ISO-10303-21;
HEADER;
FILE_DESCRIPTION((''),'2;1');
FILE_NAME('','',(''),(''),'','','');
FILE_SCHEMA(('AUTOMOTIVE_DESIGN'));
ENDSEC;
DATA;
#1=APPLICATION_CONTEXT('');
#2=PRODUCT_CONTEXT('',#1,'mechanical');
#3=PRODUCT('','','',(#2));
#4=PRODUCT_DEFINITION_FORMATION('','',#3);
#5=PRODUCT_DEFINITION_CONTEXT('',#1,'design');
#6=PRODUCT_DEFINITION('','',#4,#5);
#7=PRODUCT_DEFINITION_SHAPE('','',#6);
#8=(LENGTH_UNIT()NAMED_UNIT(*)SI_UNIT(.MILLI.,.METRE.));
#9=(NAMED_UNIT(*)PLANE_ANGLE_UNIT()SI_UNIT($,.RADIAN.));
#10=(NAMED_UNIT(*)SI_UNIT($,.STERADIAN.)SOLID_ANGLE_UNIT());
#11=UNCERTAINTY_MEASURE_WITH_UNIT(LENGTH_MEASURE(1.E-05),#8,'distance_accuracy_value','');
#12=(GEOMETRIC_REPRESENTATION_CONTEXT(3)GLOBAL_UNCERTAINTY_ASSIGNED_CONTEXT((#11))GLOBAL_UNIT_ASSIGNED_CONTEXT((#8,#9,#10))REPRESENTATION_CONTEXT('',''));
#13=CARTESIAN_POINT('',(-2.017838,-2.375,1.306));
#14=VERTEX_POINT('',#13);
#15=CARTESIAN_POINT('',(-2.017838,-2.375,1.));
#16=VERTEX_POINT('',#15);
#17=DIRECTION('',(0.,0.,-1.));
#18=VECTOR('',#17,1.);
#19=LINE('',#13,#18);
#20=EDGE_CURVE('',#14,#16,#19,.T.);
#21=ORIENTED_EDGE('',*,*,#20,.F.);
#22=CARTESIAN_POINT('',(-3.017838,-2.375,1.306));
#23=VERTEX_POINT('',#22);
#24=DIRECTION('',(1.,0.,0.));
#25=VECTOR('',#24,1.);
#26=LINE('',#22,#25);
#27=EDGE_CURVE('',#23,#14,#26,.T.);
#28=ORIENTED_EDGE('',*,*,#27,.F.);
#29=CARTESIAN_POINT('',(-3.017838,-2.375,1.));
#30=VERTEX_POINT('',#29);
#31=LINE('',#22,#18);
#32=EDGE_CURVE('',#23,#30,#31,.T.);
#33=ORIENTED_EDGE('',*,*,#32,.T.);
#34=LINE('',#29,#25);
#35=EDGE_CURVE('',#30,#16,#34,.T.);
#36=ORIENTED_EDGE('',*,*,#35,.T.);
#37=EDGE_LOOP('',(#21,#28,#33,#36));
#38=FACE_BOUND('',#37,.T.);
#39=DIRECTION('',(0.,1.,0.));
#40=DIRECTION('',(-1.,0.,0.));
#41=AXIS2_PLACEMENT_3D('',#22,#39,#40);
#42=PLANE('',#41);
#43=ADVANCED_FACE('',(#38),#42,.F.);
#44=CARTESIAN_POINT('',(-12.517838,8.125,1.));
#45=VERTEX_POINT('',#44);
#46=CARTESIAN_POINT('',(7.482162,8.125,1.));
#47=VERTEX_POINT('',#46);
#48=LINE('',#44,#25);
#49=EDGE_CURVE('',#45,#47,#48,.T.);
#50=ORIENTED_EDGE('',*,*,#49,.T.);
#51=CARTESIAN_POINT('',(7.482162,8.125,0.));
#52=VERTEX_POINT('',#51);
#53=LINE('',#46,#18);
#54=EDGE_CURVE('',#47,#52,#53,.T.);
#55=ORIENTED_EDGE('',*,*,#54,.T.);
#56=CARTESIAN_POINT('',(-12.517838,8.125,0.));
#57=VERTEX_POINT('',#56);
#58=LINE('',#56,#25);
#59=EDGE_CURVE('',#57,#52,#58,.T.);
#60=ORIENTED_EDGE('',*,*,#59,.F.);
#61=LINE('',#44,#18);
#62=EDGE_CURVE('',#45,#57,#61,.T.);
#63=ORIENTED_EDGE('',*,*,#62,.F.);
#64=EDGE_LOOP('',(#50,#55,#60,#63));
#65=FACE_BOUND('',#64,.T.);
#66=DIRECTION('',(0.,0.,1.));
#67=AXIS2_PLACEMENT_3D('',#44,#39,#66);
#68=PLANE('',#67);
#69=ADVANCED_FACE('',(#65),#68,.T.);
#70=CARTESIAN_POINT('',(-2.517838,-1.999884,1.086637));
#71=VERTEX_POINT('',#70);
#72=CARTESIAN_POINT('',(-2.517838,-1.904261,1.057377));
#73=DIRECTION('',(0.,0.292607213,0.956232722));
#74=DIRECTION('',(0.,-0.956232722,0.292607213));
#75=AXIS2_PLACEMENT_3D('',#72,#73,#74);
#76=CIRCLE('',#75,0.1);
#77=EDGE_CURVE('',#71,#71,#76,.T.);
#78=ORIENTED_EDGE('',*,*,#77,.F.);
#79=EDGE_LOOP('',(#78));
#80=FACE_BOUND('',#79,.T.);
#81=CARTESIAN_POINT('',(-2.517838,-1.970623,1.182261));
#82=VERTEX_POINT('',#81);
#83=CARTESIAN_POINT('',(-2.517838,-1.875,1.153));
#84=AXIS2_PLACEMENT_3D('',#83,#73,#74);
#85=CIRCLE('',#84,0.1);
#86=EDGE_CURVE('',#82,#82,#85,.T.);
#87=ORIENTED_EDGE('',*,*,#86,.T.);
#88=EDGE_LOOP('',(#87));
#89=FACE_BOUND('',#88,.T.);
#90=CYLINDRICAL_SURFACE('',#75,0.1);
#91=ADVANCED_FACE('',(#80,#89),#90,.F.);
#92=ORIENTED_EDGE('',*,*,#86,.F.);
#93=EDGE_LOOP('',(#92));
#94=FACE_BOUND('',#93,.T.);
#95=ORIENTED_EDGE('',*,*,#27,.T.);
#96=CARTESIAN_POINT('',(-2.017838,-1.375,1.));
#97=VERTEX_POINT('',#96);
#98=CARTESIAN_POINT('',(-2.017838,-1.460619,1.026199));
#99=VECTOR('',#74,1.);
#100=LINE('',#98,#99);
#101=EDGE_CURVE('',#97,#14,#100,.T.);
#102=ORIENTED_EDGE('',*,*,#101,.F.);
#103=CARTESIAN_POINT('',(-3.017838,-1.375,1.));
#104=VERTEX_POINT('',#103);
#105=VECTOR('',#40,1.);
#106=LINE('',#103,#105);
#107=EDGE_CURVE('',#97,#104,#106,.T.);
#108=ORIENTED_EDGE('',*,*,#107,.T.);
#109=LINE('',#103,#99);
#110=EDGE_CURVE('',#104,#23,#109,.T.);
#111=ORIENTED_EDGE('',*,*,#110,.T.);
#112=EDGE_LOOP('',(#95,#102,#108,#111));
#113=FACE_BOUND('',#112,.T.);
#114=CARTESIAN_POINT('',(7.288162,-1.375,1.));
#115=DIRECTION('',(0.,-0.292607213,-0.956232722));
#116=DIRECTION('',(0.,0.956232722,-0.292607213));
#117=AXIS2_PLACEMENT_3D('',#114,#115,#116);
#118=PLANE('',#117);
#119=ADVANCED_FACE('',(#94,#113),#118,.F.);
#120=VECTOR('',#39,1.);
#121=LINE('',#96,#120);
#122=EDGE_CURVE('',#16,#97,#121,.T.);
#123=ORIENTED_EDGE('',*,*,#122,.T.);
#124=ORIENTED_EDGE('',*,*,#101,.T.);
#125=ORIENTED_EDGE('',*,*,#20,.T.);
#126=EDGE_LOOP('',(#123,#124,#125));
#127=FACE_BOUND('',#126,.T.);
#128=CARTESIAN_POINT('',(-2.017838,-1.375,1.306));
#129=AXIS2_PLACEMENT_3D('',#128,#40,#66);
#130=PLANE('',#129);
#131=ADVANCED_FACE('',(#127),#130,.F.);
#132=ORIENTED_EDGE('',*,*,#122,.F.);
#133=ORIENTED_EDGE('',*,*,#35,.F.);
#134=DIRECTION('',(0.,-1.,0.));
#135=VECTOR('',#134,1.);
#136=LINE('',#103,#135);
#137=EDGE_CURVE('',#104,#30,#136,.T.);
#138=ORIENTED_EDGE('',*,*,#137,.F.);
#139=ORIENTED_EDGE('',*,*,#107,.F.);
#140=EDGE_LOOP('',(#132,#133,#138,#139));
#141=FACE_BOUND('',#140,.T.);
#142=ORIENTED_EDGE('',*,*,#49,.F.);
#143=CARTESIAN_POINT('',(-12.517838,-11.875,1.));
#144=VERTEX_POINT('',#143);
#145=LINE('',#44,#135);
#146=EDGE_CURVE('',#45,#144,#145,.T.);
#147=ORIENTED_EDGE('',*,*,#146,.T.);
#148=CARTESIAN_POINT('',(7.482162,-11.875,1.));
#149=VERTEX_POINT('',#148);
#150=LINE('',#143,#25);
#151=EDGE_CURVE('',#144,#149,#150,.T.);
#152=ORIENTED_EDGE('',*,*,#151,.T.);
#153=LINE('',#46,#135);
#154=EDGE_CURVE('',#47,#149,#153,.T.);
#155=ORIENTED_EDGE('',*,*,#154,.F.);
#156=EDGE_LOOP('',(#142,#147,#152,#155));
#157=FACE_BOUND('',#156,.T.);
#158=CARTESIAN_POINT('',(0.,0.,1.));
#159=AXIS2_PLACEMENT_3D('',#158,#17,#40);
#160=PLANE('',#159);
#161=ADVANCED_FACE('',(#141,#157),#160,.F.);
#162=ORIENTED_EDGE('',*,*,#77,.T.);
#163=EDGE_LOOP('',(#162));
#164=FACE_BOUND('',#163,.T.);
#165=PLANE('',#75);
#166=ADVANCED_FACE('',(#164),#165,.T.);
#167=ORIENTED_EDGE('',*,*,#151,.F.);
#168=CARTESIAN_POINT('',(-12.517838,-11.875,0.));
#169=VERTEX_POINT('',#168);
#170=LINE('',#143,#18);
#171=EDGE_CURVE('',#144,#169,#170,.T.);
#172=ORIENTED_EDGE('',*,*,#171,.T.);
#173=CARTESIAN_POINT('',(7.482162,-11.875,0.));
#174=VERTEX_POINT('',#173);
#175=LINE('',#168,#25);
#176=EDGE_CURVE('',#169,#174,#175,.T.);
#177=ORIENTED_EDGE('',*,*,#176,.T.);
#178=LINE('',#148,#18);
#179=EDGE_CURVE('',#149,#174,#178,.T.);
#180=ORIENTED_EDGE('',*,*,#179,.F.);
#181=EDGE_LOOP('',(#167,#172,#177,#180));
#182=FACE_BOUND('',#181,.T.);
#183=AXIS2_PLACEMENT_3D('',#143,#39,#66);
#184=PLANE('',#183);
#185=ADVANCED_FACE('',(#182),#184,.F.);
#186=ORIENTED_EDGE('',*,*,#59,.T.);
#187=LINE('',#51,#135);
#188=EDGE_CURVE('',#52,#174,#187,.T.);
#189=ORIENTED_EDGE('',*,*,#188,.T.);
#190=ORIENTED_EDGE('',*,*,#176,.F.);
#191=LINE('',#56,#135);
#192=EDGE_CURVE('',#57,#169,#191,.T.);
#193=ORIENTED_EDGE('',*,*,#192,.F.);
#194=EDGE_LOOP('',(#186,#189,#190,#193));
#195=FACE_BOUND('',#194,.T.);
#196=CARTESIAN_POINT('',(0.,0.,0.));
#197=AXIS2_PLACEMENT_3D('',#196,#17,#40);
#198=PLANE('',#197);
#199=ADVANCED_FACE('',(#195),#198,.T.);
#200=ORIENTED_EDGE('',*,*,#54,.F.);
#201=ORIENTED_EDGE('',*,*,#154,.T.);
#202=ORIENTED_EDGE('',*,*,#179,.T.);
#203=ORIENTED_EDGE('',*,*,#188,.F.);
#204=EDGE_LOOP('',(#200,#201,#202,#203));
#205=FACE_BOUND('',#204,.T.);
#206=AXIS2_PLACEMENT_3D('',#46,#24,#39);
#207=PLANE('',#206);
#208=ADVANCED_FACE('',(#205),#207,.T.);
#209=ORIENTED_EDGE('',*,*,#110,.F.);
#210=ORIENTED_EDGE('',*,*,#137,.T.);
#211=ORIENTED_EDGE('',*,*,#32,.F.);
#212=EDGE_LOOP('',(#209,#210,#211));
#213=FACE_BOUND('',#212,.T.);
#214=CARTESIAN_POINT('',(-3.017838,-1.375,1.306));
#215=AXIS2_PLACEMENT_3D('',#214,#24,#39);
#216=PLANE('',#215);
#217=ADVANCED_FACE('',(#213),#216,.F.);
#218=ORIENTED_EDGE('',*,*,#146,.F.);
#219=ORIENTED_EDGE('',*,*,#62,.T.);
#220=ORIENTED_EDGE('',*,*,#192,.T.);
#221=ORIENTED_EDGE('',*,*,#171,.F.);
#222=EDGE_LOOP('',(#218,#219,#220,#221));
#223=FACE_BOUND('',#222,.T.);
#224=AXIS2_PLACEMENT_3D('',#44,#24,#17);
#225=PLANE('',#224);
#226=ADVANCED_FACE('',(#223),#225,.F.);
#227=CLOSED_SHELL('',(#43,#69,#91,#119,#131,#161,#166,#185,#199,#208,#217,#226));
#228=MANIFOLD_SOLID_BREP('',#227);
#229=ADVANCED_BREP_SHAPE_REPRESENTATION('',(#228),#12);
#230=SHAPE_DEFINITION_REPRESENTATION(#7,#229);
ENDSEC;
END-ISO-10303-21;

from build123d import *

# Parameters (mm, degrees)
SKIZZE1_W                       = 20
SKIZZE1_H                       = 20
AUFSATZ_LINEAR_AUSTRAGEN1_DEPTH = 1
SKIZZE2_W                       = 1
SKIZZE2_H                       = 1
AUFSATZ_LINEAR_AUSTRAGEN2_DEPTH = 0.306
SCHNITT_LINEAR_AUSTRAGEN1_DEPTH = 10.306
SKIZZE4_R                       = 0.1
SCHNITT_LINEAR_AUSTRAGEN2_DEPTH = 0.1


with BuildPart() as part:
    # Skizze1 → Aufsatz-Linear austragen1 (new body)
    with BuildSketch(Plane.XY):
        with Locations((-2.517837541, -1.875)):
            Rectangle(SKIZZE1_W, SKIZZE1_H)
    extrude(amount=AUFSATZ_LINEAR_AUSTRAGEN1_DEPTH)

    # Skizze2 → Aufsatz-Linear austragen2 (add)
    with BuildSketch(Plane.XY.offset(1)):
        with Locations((-2.517837541, -1.875)):
            Rectangle(SKIZZE2_W, SKIZZE2_H)
    extrude(amount=AUFSATZ_LINEAR_AUSTRAGEN2_DEPTH)

    # Skizze3 → Schnitt-Linear austragen1 (cut)
    with BuildSketch(Plane.ZY.offset(3.017837541)):
        Polygon((1, -1.375), (1.306, -2.375), (1.306, -1.375), align=None)
    extrude(amount=-SCHNITT_LINEAR_AUSTRAGEN1_DEPTH, mode=Mode.SUBTRACT)

    # Skizze4 → Schnitt-Linear austragen2 (cut)
    with BuildSketch(Plane(origin=(0, 0.162074493, 0.529655205), x_dir=(1, 0, 0), z_dir=(1.0151852031872135e-15, 0.2926072129783145, 0.9562327221513931))):
        with Locations(Location((-2.517837541, -2.130312471, 0), (0, 0, 270))):
            Circle(SKIZZE4_R)
    extrude(amount=-SCHNITT_LINEAR_AUSTRAGEN2_DEPTH, mode=Mode.SUBTRACT)


solid = part.part
